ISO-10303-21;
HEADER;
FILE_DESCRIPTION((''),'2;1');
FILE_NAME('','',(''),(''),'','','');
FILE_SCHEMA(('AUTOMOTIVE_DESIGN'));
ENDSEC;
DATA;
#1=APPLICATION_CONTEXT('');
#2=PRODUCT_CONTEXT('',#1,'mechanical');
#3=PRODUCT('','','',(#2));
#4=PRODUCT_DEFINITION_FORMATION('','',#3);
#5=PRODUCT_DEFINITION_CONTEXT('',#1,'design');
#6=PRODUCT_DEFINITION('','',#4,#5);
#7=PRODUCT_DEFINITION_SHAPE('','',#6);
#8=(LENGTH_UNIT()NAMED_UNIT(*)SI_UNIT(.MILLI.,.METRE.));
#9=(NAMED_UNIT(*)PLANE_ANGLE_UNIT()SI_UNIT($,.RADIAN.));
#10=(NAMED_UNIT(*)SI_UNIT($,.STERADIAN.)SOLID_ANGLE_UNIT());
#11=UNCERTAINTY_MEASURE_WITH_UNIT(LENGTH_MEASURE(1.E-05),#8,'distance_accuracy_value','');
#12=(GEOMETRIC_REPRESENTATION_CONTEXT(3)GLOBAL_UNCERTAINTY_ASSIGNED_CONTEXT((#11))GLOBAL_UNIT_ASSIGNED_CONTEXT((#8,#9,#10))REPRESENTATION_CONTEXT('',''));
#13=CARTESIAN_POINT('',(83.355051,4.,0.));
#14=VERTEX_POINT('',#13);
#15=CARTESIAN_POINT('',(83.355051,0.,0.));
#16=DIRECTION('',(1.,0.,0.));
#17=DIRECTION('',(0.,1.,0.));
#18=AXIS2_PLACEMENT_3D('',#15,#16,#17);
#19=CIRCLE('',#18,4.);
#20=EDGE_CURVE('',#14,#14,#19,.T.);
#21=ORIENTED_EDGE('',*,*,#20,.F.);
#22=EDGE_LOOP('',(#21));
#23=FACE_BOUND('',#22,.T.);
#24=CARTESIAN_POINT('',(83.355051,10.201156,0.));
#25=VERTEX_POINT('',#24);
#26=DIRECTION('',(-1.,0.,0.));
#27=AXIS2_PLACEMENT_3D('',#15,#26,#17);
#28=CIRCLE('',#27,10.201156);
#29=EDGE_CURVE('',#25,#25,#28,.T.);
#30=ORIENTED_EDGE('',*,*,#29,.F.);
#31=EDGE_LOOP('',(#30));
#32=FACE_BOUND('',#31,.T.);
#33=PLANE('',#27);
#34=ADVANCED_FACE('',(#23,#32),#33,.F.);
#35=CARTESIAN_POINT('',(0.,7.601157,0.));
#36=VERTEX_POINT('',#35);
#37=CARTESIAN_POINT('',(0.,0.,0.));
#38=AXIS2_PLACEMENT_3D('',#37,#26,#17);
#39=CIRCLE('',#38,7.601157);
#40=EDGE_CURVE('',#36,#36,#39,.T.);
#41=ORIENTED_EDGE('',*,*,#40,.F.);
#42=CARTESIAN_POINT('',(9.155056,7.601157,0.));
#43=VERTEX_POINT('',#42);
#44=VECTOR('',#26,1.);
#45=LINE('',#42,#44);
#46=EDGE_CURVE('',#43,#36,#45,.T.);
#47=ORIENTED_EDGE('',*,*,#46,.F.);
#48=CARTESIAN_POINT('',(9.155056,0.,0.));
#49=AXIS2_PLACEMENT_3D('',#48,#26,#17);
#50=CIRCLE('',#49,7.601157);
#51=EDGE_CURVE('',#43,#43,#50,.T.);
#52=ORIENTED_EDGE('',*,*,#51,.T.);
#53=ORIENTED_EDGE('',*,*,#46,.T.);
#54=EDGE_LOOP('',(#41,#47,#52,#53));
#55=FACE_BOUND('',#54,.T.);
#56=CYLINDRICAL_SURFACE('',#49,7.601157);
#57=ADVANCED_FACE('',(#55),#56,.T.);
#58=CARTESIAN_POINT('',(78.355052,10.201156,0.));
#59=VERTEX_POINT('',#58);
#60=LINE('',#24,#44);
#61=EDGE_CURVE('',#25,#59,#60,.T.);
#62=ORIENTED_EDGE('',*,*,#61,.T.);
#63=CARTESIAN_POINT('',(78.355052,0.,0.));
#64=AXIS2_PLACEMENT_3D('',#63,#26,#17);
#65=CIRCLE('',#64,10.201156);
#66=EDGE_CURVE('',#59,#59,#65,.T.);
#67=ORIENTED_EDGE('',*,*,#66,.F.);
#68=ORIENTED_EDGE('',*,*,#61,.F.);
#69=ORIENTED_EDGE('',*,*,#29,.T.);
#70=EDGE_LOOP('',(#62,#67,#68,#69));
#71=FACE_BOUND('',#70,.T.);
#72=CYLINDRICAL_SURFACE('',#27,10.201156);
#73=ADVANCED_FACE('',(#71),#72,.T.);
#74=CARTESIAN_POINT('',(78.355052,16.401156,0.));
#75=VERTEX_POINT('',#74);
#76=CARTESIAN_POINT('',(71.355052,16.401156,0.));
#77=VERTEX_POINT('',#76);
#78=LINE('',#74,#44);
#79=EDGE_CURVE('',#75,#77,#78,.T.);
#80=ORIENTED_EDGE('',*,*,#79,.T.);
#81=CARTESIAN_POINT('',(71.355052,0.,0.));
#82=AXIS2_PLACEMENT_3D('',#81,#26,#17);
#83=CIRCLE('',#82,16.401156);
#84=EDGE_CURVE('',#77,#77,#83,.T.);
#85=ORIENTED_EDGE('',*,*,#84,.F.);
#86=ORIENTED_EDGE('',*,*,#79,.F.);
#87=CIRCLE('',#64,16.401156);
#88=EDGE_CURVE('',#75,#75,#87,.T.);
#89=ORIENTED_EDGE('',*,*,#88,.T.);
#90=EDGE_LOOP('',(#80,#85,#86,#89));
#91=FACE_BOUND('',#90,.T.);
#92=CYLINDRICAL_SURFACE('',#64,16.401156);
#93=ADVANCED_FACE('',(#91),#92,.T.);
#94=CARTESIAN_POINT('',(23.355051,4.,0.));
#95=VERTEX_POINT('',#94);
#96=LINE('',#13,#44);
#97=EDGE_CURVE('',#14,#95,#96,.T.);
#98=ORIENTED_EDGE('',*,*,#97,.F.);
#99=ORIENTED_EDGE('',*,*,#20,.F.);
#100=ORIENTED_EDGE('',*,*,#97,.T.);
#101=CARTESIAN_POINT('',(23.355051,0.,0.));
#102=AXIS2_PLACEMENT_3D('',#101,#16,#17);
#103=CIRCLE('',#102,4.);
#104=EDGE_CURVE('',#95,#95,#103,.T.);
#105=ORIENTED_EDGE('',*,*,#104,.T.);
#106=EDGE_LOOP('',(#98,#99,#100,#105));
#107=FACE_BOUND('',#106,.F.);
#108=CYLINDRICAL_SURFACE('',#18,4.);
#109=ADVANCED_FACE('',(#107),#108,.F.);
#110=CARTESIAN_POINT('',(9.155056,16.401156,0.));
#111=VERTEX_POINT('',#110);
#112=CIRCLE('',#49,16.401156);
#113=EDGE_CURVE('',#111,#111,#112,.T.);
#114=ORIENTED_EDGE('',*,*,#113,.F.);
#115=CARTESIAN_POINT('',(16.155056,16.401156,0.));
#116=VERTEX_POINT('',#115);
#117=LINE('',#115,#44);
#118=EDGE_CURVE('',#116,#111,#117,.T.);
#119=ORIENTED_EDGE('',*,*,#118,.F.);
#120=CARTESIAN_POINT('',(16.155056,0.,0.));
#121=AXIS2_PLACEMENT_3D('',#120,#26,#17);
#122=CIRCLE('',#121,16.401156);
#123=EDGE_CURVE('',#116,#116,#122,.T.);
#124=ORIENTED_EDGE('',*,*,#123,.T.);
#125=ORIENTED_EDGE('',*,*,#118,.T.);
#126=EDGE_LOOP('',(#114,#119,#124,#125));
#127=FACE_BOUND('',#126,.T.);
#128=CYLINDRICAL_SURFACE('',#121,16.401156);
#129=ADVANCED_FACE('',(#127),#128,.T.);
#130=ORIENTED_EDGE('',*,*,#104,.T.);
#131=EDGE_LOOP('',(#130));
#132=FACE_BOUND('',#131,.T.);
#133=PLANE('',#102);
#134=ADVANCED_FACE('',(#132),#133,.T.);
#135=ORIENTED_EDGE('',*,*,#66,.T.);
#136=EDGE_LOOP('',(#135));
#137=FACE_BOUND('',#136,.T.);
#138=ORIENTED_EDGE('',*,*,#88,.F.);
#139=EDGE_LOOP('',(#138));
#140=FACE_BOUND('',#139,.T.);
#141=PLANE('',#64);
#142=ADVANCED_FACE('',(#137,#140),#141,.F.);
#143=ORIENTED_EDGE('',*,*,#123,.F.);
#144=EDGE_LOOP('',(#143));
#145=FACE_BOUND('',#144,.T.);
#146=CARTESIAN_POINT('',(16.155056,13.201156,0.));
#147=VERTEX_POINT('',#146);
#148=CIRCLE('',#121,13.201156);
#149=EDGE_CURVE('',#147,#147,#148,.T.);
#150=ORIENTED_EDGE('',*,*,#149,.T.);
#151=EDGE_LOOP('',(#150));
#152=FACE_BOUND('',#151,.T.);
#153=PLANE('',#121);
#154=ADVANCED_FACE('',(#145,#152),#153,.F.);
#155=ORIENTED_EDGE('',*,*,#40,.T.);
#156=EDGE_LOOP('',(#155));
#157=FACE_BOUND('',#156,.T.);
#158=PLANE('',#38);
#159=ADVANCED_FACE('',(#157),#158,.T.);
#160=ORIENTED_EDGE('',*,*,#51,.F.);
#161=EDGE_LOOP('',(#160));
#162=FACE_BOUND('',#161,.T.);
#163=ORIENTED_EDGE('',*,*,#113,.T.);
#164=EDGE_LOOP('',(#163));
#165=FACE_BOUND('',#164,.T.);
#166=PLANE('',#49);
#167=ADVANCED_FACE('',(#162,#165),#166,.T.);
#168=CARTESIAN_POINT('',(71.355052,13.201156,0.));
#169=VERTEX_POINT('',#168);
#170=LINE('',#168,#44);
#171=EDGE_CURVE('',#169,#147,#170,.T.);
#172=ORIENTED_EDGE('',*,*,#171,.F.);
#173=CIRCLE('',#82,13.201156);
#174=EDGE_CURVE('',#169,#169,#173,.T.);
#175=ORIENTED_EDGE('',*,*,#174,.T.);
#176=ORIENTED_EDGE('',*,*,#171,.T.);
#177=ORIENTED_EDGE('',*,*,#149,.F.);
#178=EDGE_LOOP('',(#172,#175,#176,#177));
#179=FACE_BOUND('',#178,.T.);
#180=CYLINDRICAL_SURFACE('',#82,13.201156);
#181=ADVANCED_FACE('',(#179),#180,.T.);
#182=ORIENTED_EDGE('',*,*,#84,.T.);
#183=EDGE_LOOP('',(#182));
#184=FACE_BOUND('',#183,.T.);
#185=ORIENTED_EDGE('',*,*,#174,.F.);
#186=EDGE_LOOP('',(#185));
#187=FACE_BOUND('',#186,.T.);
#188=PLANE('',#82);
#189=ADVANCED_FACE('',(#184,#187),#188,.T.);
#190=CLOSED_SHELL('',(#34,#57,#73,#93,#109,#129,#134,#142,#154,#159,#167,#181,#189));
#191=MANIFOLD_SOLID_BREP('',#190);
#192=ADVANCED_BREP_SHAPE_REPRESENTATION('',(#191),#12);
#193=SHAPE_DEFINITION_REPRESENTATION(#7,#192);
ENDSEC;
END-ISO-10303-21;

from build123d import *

# Parameters (mm, degrees)
F2_R     = 4
F3_DEPTH = 60


with BuildPart() as f1:
    # F0 (on Top) → F1 (revolve)
    with BuildSketch(Plane.XY):
        Polygon((0, 7.601157), (0, 0), (83.355051, 0), (83.355051, 10.201156), (78.355052, 10.201156), (78.355052, 16.401156), (71.355052, 16.401156), (71.355052, 13.201156), (16.155056, 13.201156), (16.155056, 16.401156), (9.155056, 16.401156), (9.155056, 7.601157), align=None)
    revolve(axis=Axis((41.677526, 0, 0), (-1, 0, 0)))

    # F2 (on face) → F3 (cut)
    with BuildSketch(Plane.YZ.offset(83.355051)):
        Circle(F2_R)
    extrude(amount=-F3_DEPTH, mode=Mode.SUBTRACT)


solid = f1.part
